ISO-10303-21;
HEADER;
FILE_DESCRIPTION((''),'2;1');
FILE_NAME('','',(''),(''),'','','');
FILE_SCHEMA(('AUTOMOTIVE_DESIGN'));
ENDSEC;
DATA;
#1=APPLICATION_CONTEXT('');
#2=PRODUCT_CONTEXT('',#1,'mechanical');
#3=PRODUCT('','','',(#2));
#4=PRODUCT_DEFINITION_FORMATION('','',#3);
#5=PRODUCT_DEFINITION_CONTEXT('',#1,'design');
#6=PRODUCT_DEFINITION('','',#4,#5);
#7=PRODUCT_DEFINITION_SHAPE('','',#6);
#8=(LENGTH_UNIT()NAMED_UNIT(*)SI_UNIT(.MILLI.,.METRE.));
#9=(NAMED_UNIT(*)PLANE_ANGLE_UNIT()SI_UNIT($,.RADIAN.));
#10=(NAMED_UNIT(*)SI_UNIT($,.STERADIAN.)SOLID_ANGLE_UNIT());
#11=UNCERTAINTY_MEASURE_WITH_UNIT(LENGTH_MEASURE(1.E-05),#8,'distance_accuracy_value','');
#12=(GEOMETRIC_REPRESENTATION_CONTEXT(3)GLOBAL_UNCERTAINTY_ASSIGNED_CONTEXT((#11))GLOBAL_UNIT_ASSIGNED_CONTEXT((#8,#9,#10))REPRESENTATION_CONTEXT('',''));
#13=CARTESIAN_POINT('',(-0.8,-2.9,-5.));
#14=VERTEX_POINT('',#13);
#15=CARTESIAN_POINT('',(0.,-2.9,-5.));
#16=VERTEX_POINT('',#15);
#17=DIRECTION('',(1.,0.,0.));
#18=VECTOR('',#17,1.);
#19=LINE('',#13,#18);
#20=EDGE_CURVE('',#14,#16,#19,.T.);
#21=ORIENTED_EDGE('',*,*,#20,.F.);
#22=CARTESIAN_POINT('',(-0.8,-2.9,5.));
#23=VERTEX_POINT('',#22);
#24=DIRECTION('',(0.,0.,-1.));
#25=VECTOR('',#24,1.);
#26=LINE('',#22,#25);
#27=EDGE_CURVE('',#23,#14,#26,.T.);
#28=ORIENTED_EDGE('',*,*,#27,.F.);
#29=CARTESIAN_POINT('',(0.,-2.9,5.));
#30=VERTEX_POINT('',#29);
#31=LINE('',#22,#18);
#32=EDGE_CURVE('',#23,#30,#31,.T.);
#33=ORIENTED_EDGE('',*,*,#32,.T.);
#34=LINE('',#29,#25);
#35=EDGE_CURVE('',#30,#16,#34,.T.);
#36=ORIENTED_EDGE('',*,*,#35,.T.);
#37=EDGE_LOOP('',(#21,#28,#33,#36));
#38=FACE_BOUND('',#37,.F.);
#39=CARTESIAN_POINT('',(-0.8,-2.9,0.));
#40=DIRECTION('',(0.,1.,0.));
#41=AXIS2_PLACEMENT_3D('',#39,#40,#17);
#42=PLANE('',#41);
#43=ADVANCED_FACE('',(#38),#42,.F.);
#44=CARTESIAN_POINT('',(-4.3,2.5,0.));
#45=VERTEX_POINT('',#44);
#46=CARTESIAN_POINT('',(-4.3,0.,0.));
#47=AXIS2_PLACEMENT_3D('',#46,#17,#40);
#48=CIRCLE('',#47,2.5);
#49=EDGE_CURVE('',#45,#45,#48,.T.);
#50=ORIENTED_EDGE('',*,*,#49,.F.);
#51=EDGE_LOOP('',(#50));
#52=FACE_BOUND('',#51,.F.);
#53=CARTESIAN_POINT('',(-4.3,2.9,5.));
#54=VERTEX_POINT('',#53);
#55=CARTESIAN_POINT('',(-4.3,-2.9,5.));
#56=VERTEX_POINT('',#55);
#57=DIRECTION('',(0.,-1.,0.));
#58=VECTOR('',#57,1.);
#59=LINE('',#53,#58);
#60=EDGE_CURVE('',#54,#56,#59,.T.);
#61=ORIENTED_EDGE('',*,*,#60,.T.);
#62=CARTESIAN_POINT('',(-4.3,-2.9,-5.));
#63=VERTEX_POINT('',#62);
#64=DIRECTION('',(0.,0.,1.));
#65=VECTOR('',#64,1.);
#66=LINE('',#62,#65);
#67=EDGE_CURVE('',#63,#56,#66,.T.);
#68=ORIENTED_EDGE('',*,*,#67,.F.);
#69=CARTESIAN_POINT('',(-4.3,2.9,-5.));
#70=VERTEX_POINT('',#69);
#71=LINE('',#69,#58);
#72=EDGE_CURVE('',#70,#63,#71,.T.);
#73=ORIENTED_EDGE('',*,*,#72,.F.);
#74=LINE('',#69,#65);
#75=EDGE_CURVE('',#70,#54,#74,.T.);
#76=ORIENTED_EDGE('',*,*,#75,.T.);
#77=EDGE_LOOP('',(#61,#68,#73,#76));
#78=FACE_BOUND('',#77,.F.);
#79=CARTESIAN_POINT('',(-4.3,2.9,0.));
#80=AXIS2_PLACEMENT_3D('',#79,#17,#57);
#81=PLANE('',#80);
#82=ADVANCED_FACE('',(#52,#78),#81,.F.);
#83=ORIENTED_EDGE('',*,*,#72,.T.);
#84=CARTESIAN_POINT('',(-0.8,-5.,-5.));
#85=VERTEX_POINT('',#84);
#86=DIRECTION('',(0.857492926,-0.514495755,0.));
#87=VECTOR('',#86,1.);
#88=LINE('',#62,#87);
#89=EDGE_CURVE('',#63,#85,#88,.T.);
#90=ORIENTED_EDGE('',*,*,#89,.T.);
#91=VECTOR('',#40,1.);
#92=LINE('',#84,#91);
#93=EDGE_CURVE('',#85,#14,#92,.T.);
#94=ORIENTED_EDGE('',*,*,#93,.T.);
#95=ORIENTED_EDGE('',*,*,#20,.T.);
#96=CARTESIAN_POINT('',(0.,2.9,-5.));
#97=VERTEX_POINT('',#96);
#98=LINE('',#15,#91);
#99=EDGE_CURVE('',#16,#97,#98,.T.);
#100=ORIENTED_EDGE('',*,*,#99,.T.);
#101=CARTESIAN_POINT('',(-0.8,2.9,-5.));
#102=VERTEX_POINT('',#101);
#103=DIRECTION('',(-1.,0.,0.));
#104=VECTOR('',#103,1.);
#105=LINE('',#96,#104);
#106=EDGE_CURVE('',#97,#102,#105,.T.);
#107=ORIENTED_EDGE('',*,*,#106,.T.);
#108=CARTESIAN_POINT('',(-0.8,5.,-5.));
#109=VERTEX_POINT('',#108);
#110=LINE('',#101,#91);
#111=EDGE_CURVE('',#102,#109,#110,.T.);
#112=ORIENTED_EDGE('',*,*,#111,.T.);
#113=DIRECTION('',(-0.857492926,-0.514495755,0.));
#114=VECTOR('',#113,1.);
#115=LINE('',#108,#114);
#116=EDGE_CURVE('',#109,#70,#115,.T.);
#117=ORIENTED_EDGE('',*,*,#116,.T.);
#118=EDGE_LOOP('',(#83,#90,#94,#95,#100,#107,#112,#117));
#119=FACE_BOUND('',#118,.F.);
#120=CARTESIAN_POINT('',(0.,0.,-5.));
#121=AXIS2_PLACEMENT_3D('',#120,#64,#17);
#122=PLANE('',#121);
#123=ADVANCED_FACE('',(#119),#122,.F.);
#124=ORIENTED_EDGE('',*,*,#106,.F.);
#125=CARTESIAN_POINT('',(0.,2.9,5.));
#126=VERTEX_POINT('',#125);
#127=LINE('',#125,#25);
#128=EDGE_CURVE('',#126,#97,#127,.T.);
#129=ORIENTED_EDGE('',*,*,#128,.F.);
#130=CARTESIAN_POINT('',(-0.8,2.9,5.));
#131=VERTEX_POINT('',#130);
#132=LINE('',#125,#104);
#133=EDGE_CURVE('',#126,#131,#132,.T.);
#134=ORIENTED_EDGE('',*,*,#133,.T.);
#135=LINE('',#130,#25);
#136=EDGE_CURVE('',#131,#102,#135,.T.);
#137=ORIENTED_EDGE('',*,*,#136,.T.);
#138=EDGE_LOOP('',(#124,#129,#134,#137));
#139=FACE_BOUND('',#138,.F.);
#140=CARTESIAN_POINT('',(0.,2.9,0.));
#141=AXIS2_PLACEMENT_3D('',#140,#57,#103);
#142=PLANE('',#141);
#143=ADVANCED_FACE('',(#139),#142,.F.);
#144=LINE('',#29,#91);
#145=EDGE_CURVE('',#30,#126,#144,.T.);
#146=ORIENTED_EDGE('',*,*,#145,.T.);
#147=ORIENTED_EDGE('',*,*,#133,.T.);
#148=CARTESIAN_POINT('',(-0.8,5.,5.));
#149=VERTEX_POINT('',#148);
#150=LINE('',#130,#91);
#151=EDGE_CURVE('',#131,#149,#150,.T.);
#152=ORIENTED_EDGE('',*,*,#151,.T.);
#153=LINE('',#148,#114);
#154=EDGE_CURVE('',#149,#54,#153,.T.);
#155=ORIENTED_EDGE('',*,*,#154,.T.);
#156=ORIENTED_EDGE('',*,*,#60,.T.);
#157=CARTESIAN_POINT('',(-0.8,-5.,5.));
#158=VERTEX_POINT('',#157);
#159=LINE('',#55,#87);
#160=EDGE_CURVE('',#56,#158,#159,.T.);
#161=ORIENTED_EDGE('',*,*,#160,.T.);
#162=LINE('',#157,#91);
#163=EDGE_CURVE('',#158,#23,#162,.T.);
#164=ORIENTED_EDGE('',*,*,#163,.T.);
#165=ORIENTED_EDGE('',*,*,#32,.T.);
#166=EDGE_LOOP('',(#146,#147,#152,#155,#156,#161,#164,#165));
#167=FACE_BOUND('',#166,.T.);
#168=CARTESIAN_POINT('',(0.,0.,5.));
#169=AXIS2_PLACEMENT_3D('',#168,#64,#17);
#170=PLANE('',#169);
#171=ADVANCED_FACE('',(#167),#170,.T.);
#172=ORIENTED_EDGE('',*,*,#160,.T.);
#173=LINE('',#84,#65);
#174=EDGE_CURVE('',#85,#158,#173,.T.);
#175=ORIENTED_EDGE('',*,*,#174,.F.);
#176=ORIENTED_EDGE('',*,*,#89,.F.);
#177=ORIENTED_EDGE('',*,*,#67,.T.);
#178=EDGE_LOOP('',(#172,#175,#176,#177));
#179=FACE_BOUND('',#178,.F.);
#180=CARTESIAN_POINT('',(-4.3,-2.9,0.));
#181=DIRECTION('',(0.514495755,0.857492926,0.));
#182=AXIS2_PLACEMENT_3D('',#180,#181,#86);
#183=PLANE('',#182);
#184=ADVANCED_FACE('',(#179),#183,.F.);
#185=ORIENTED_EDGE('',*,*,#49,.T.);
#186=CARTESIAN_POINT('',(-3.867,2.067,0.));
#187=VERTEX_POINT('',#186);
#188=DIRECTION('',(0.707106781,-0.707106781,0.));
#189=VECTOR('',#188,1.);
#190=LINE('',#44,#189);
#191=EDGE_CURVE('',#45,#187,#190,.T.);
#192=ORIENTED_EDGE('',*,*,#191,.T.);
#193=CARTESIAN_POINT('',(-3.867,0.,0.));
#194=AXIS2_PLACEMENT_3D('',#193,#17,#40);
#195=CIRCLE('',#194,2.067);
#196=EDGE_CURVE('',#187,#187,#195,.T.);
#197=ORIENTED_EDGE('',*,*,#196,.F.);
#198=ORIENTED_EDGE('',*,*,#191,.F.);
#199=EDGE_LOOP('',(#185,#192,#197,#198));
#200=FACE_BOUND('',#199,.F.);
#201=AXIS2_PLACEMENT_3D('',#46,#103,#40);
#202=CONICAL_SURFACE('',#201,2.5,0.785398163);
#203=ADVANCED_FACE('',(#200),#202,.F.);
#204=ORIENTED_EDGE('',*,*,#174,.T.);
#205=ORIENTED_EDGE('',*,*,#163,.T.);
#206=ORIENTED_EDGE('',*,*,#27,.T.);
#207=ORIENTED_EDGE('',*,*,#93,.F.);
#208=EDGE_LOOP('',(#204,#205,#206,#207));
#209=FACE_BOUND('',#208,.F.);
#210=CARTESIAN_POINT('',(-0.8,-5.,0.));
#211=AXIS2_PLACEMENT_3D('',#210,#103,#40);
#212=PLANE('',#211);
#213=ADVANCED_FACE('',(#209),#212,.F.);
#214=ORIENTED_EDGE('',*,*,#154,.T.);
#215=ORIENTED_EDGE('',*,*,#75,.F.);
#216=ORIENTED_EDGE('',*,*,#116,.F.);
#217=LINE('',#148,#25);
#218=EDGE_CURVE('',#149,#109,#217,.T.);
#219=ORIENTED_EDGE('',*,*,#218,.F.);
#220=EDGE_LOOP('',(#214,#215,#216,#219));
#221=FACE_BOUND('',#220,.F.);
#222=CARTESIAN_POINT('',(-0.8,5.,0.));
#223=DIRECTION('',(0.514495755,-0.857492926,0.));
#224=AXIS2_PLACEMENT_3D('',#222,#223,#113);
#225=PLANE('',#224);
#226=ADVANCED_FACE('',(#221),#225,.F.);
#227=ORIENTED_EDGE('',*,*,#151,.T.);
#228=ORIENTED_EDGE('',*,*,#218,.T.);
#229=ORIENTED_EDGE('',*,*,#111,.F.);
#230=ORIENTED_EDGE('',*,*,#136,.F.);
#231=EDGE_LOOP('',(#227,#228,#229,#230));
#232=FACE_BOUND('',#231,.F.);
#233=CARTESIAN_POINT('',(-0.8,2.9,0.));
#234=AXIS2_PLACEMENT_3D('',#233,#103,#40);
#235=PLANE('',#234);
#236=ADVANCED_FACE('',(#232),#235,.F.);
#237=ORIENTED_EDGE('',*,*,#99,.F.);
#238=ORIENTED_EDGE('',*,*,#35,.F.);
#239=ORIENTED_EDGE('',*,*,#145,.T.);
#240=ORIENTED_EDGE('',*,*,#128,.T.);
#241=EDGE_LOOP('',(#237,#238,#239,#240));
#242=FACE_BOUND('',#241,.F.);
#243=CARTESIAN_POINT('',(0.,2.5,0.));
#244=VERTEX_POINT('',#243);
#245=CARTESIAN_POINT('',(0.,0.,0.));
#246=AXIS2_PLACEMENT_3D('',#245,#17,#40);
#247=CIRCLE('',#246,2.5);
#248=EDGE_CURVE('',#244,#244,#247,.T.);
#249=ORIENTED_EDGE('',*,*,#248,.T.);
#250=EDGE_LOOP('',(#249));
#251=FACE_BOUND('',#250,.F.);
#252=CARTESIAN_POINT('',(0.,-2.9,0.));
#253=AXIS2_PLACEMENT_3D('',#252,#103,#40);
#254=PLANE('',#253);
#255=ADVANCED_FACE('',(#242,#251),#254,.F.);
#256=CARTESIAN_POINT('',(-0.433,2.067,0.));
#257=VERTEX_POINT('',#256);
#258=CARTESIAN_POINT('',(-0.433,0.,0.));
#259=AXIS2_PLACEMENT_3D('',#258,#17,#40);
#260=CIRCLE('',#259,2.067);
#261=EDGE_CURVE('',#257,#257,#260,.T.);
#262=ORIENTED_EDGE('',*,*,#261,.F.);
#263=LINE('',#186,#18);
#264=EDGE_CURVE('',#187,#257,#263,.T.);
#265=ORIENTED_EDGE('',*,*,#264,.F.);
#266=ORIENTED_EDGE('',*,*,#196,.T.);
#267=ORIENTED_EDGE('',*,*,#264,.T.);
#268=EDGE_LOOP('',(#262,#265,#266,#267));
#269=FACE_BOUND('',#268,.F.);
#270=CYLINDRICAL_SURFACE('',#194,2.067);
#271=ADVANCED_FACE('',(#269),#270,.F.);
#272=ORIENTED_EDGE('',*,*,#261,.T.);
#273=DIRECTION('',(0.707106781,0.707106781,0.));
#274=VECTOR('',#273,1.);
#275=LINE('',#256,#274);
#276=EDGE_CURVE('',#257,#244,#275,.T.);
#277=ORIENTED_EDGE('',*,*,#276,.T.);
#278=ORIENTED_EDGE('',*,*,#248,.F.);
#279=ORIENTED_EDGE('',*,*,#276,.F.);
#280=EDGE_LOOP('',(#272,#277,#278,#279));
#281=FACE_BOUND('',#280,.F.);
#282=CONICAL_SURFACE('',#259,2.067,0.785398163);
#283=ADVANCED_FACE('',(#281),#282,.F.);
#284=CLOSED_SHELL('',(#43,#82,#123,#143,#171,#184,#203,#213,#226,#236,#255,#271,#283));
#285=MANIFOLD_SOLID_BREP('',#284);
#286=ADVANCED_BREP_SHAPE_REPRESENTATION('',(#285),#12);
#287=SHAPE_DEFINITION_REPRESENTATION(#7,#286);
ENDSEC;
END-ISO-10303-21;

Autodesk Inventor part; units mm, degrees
sketch "Sketch_4" plane through (0, 0, 0) normal (0, 0, 1) x (1, 0, 0)
  line L0 (-4.3, 2.9) -> (-4.3, -2.9)
  line L1 (-4.3, -2.9) -> (-0.8, -5)
  line L2 (-0.8, -5) -> (-0.8, -2.9)
  line L3 (-0.8, -2.9) -> (0, -2.9)
  line L4 (0, -2.9) -> (0, 2.9)
  line L5 (0, 2.9) -> (-0.8, 2.9)
  line L6 (-0.8, 2.9) -> (-0.8, 5)
  line L7 (-0.8, 5) -> (-4.3, 2.9)
extrude "Extrusion1" add sketch "Sketch_4" along normal mid plane 10
sketch "Sketch_5" plane through (0, 0, 0) normal (0, 0, 1) x (1, 0, 0)
  line L0 (0, 0) -> (-4.3, 0)
  line L1 (-4.3, 0) -> (-4.3, 2.5)
  line L2 (-4.3, 2.5) -> (-3.867, 2.067)
  line L3 (-3.867, 2.067) -> (-0.433, 2.067)
  line L4 (-0.433, 2.067) -> (0, 2.5)
  line L5 (0, 2.5) -> (0, 0)
  line L6 (0, 0) -> (-4.3, 0)
revolve "Revolution1" cut sketch "Sketch_5" angle 360 about axis through (0, 0, 0) along (1, 0, 0)
thread "Thread1" size "M5x0.8" class "6H" standard "ISO Metric profile" full length
ref_plane "nut_XY" through (0, 0, 0) normal (1, 0, 0) x (0, 0, -1)
ref_plane "nut_YZ" through (0, 0, 0) normal (0, 0, -1) x (0, 1, 0)
ref_plane "nut_ZX" through (0, 0, 0) normal (0, 1, 0) x (1, 0, 0)
ref_plane "to_bolt_XY" through (-4.3, 0, 0) normal (1, 0, 0) x (0, 0, -1)
ref_plane "to_bolt_YZ" through (-4.3, 0, 0) normal (0, 0, -1) x (0, 1, 0)
ref_plane "to_bolt_ZX" through (-4.3, 0, 0) normal (0, 1, 0) x (1, 0, 0)
ref_plane "to_frames_XY" through (-0.8, 0, 0) normal (1, 0, 0) x (0, 0, -1)
ref_plane "to_frames_YZ" through (-0.8, 0, 0) normal (0, 0, -1) x (0, 1, 0)
ref_plane "to_frames_ZX" through (-0.8, 0, 0) normal (0, 1, 0) x (1, 0, 0)
properties part number "HNTTSN5-5_1"
